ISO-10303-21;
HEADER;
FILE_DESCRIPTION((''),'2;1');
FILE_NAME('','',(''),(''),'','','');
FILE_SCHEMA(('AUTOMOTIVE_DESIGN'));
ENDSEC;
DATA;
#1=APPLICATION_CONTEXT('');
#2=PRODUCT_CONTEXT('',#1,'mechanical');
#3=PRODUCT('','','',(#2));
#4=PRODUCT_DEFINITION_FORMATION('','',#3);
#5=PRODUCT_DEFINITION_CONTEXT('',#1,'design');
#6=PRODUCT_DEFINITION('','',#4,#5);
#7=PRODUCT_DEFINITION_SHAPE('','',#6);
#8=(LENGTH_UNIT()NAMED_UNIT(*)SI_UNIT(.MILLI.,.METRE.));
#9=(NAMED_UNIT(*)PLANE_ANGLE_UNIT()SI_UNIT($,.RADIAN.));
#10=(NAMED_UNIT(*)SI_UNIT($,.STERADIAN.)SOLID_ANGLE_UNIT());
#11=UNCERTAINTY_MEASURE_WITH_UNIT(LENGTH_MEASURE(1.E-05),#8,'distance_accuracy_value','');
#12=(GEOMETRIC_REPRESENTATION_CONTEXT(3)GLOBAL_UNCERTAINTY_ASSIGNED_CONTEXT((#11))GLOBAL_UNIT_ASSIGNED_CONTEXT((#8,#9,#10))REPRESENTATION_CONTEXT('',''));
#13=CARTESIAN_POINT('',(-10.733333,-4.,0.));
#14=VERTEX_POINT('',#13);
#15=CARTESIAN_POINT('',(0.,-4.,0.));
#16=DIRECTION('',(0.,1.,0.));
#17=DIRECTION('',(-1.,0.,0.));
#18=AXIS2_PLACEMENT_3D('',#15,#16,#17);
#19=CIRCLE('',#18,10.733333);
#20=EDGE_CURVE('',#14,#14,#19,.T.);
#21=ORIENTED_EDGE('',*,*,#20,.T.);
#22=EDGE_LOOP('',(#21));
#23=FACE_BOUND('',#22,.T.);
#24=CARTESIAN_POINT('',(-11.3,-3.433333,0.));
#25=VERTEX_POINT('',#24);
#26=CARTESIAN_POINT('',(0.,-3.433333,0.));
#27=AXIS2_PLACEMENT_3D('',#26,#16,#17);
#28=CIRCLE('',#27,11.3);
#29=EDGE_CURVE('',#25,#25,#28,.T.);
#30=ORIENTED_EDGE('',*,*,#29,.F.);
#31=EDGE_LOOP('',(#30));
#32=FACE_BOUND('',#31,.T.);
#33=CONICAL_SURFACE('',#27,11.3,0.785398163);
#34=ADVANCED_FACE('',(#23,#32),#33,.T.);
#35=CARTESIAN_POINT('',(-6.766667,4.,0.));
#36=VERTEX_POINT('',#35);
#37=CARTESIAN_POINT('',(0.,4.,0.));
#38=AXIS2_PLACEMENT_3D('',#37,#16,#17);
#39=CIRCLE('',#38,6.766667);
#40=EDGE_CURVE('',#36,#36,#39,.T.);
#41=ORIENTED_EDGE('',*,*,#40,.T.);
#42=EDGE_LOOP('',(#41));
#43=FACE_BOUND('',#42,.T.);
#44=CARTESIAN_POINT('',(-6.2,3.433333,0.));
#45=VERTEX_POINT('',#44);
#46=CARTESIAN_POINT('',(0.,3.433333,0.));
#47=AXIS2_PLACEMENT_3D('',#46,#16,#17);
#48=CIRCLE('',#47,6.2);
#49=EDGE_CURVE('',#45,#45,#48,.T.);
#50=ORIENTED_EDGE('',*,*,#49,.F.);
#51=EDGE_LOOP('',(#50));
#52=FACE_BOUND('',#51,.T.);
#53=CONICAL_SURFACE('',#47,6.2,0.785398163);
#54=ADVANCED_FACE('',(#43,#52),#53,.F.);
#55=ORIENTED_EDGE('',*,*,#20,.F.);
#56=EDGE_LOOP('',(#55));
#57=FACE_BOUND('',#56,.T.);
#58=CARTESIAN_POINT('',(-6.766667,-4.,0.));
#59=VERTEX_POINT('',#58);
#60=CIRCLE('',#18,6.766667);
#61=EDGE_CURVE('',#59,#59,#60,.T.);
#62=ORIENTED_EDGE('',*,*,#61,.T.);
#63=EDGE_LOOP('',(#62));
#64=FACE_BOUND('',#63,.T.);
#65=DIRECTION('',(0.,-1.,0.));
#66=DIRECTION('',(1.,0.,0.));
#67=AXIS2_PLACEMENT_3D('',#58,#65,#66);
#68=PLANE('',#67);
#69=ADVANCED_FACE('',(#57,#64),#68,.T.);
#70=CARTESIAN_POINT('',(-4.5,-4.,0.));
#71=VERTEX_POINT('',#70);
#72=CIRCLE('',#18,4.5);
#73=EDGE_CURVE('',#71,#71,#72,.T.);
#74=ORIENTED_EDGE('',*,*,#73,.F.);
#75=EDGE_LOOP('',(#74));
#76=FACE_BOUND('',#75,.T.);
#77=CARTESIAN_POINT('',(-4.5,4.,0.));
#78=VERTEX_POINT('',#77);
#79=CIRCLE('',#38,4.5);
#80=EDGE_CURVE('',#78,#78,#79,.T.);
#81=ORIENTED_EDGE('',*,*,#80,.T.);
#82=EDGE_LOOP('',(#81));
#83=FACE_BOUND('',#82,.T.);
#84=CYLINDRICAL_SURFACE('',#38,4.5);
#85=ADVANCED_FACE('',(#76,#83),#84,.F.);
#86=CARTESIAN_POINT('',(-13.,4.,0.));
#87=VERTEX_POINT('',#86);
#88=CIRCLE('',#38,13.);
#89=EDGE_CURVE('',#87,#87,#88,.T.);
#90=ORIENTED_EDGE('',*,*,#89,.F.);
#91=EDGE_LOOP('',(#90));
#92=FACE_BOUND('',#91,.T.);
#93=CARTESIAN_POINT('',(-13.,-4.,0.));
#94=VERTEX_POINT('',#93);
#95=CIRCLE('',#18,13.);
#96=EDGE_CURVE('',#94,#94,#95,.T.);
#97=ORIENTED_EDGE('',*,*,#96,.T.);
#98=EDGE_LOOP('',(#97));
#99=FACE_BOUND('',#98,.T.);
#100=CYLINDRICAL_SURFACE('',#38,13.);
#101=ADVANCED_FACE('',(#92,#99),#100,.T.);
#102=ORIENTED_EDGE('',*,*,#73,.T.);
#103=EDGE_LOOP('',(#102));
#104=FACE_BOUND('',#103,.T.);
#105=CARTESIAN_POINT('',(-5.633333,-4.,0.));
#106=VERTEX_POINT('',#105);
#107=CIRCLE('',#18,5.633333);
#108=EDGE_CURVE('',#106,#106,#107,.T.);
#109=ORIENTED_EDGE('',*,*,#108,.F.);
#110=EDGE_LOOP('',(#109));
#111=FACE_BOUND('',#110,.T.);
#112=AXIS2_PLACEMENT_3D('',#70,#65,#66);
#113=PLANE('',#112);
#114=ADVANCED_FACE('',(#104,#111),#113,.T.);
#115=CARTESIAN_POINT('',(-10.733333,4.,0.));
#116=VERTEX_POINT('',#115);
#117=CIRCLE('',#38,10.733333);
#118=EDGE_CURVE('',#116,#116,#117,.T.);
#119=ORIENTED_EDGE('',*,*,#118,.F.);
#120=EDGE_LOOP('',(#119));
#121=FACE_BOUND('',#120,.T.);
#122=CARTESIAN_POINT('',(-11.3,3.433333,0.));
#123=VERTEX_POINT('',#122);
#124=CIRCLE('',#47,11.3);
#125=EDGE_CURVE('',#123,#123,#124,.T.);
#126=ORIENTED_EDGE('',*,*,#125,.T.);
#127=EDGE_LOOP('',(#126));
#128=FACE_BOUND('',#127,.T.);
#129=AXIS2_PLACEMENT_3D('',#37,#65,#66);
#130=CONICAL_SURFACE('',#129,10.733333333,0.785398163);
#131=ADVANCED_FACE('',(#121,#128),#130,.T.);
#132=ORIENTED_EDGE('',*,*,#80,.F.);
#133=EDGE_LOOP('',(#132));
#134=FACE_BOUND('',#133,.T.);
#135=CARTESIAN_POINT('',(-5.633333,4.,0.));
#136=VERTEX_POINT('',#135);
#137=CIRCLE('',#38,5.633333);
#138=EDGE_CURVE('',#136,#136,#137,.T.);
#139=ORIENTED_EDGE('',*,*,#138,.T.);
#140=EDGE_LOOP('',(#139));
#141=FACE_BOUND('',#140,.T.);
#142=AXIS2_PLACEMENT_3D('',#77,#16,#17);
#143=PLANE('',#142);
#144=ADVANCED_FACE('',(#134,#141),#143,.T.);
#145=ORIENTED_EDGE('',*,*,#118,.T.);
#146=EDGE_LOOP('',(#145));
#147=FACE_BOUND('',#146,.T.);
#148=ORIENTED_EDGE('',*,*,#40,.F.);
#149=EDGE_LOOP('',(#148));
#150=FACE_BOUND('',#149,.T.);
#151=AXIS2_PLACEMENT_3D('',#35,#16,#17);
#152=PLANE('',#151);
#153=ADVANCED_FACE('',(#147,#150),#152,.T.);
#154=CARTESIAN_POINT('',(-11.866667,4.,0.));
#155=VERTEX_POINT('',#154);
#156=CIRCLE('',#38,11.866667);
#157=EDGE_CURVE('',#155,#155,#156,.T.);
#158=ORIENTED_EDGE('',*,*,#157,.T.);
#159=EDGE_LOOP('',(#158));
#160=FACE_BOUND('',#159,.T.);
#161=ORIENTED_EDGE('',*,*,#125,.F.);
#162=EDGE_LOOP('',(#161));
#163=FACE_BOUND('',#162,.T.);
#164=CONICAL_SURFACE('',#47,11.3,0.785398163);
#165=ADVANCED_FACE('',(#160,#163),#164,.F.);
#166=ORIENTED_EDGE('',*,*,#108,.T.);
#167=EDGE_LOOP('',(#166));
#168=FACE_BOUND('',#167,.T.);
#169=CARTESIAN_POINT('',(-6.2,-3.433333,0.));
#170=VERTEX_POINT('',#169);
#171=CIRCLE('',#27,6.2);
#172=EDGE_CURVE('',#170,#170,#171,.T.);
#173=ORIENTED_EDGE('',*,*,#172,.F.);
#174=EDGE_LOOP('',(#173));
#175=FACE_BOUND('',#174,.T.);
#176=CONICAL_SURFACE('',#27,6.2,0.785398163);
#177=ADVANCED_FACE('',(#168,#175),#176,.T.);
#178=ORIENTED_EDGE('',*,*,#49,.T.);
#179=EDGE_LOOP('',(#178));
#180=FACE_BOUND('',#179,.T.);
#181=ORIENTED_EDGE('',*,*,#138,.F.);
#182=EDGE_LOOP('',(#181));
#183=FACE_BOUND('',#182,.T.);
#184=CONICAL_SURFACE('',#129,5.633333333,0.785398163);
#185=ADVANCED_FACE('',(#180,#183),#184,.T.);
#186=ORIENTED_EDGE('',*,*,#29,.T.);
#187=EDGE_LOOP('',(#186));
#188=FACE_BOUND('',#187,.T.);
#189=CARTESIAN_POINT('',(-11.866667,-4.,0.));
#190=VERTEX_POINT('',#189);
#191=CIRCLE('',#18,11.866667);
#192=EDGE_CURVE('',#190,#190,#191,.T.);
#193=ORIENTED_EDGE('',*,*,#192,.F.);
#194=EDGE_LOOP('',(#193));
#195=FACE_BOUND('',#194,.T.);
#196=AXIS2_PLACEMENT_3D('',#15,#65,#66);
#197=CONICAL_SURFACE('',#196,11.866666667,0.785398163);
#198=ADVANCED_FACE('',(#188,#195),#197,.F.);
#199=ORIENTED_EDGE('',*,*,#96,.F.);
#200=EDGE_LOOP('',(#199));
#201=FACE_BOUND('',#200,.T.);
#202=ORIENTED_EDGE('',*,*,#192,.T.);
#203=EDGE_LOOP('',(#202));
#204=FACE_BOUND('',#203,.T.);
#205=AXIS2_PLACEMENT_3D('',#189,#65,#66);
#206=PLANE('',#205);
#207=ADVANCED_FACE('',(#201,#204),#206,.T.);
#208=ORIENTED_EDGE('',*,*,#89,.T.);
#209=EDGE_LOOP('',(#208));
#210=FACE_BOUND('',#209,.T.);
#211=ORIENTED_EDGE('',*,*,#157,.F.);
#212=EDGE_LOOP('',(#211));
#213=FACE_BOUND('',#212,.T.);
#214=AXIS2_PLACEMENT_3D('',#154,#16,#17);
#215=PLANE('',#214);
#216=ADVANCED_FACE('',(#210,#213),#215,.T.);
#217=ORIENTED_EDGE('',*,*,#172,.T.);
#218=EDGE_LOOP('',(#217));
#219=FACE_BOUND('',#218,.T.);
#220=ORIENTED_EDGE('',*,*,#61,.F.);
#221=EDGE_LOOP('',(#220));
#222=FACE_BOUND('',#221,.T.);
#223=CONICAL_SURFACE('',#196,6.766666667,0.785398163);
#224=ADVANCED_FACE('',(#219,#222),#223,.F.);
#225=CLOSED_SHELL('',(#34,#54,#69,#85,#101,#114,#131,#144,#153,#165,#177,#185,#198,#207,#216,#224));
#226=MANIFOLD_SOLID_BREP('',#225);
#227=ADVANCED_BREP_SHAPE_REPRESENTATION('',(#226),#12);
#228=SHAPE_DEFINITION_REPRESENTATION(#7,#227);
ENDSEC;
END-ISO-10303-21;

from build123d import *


with BuildPart() as part:
    # Sketch1 → Revolve1 (revolve)
    with BuildSketch(Plane.XY):
        Polygon((-4.5, 4), (-5.633333333, 4), (-6.2, 3.433333333), (-6.766666667, 4), (-10.733333333, 4), (-11.3, 3.433333333), (-11.866666667, 4), (-13, 4), (-13, -4), (-11.866666667, -4), (-11.3, -3.433333333), (-10.733333333, -4), (-6.766666667, -4), (-6.2, -3.433333333), (-5.633333333, -4), (-4.5, -4), align=None)
    revolve(axis=Axis((0, 4, 0), (0, -1, 0)))


solid = part.part
